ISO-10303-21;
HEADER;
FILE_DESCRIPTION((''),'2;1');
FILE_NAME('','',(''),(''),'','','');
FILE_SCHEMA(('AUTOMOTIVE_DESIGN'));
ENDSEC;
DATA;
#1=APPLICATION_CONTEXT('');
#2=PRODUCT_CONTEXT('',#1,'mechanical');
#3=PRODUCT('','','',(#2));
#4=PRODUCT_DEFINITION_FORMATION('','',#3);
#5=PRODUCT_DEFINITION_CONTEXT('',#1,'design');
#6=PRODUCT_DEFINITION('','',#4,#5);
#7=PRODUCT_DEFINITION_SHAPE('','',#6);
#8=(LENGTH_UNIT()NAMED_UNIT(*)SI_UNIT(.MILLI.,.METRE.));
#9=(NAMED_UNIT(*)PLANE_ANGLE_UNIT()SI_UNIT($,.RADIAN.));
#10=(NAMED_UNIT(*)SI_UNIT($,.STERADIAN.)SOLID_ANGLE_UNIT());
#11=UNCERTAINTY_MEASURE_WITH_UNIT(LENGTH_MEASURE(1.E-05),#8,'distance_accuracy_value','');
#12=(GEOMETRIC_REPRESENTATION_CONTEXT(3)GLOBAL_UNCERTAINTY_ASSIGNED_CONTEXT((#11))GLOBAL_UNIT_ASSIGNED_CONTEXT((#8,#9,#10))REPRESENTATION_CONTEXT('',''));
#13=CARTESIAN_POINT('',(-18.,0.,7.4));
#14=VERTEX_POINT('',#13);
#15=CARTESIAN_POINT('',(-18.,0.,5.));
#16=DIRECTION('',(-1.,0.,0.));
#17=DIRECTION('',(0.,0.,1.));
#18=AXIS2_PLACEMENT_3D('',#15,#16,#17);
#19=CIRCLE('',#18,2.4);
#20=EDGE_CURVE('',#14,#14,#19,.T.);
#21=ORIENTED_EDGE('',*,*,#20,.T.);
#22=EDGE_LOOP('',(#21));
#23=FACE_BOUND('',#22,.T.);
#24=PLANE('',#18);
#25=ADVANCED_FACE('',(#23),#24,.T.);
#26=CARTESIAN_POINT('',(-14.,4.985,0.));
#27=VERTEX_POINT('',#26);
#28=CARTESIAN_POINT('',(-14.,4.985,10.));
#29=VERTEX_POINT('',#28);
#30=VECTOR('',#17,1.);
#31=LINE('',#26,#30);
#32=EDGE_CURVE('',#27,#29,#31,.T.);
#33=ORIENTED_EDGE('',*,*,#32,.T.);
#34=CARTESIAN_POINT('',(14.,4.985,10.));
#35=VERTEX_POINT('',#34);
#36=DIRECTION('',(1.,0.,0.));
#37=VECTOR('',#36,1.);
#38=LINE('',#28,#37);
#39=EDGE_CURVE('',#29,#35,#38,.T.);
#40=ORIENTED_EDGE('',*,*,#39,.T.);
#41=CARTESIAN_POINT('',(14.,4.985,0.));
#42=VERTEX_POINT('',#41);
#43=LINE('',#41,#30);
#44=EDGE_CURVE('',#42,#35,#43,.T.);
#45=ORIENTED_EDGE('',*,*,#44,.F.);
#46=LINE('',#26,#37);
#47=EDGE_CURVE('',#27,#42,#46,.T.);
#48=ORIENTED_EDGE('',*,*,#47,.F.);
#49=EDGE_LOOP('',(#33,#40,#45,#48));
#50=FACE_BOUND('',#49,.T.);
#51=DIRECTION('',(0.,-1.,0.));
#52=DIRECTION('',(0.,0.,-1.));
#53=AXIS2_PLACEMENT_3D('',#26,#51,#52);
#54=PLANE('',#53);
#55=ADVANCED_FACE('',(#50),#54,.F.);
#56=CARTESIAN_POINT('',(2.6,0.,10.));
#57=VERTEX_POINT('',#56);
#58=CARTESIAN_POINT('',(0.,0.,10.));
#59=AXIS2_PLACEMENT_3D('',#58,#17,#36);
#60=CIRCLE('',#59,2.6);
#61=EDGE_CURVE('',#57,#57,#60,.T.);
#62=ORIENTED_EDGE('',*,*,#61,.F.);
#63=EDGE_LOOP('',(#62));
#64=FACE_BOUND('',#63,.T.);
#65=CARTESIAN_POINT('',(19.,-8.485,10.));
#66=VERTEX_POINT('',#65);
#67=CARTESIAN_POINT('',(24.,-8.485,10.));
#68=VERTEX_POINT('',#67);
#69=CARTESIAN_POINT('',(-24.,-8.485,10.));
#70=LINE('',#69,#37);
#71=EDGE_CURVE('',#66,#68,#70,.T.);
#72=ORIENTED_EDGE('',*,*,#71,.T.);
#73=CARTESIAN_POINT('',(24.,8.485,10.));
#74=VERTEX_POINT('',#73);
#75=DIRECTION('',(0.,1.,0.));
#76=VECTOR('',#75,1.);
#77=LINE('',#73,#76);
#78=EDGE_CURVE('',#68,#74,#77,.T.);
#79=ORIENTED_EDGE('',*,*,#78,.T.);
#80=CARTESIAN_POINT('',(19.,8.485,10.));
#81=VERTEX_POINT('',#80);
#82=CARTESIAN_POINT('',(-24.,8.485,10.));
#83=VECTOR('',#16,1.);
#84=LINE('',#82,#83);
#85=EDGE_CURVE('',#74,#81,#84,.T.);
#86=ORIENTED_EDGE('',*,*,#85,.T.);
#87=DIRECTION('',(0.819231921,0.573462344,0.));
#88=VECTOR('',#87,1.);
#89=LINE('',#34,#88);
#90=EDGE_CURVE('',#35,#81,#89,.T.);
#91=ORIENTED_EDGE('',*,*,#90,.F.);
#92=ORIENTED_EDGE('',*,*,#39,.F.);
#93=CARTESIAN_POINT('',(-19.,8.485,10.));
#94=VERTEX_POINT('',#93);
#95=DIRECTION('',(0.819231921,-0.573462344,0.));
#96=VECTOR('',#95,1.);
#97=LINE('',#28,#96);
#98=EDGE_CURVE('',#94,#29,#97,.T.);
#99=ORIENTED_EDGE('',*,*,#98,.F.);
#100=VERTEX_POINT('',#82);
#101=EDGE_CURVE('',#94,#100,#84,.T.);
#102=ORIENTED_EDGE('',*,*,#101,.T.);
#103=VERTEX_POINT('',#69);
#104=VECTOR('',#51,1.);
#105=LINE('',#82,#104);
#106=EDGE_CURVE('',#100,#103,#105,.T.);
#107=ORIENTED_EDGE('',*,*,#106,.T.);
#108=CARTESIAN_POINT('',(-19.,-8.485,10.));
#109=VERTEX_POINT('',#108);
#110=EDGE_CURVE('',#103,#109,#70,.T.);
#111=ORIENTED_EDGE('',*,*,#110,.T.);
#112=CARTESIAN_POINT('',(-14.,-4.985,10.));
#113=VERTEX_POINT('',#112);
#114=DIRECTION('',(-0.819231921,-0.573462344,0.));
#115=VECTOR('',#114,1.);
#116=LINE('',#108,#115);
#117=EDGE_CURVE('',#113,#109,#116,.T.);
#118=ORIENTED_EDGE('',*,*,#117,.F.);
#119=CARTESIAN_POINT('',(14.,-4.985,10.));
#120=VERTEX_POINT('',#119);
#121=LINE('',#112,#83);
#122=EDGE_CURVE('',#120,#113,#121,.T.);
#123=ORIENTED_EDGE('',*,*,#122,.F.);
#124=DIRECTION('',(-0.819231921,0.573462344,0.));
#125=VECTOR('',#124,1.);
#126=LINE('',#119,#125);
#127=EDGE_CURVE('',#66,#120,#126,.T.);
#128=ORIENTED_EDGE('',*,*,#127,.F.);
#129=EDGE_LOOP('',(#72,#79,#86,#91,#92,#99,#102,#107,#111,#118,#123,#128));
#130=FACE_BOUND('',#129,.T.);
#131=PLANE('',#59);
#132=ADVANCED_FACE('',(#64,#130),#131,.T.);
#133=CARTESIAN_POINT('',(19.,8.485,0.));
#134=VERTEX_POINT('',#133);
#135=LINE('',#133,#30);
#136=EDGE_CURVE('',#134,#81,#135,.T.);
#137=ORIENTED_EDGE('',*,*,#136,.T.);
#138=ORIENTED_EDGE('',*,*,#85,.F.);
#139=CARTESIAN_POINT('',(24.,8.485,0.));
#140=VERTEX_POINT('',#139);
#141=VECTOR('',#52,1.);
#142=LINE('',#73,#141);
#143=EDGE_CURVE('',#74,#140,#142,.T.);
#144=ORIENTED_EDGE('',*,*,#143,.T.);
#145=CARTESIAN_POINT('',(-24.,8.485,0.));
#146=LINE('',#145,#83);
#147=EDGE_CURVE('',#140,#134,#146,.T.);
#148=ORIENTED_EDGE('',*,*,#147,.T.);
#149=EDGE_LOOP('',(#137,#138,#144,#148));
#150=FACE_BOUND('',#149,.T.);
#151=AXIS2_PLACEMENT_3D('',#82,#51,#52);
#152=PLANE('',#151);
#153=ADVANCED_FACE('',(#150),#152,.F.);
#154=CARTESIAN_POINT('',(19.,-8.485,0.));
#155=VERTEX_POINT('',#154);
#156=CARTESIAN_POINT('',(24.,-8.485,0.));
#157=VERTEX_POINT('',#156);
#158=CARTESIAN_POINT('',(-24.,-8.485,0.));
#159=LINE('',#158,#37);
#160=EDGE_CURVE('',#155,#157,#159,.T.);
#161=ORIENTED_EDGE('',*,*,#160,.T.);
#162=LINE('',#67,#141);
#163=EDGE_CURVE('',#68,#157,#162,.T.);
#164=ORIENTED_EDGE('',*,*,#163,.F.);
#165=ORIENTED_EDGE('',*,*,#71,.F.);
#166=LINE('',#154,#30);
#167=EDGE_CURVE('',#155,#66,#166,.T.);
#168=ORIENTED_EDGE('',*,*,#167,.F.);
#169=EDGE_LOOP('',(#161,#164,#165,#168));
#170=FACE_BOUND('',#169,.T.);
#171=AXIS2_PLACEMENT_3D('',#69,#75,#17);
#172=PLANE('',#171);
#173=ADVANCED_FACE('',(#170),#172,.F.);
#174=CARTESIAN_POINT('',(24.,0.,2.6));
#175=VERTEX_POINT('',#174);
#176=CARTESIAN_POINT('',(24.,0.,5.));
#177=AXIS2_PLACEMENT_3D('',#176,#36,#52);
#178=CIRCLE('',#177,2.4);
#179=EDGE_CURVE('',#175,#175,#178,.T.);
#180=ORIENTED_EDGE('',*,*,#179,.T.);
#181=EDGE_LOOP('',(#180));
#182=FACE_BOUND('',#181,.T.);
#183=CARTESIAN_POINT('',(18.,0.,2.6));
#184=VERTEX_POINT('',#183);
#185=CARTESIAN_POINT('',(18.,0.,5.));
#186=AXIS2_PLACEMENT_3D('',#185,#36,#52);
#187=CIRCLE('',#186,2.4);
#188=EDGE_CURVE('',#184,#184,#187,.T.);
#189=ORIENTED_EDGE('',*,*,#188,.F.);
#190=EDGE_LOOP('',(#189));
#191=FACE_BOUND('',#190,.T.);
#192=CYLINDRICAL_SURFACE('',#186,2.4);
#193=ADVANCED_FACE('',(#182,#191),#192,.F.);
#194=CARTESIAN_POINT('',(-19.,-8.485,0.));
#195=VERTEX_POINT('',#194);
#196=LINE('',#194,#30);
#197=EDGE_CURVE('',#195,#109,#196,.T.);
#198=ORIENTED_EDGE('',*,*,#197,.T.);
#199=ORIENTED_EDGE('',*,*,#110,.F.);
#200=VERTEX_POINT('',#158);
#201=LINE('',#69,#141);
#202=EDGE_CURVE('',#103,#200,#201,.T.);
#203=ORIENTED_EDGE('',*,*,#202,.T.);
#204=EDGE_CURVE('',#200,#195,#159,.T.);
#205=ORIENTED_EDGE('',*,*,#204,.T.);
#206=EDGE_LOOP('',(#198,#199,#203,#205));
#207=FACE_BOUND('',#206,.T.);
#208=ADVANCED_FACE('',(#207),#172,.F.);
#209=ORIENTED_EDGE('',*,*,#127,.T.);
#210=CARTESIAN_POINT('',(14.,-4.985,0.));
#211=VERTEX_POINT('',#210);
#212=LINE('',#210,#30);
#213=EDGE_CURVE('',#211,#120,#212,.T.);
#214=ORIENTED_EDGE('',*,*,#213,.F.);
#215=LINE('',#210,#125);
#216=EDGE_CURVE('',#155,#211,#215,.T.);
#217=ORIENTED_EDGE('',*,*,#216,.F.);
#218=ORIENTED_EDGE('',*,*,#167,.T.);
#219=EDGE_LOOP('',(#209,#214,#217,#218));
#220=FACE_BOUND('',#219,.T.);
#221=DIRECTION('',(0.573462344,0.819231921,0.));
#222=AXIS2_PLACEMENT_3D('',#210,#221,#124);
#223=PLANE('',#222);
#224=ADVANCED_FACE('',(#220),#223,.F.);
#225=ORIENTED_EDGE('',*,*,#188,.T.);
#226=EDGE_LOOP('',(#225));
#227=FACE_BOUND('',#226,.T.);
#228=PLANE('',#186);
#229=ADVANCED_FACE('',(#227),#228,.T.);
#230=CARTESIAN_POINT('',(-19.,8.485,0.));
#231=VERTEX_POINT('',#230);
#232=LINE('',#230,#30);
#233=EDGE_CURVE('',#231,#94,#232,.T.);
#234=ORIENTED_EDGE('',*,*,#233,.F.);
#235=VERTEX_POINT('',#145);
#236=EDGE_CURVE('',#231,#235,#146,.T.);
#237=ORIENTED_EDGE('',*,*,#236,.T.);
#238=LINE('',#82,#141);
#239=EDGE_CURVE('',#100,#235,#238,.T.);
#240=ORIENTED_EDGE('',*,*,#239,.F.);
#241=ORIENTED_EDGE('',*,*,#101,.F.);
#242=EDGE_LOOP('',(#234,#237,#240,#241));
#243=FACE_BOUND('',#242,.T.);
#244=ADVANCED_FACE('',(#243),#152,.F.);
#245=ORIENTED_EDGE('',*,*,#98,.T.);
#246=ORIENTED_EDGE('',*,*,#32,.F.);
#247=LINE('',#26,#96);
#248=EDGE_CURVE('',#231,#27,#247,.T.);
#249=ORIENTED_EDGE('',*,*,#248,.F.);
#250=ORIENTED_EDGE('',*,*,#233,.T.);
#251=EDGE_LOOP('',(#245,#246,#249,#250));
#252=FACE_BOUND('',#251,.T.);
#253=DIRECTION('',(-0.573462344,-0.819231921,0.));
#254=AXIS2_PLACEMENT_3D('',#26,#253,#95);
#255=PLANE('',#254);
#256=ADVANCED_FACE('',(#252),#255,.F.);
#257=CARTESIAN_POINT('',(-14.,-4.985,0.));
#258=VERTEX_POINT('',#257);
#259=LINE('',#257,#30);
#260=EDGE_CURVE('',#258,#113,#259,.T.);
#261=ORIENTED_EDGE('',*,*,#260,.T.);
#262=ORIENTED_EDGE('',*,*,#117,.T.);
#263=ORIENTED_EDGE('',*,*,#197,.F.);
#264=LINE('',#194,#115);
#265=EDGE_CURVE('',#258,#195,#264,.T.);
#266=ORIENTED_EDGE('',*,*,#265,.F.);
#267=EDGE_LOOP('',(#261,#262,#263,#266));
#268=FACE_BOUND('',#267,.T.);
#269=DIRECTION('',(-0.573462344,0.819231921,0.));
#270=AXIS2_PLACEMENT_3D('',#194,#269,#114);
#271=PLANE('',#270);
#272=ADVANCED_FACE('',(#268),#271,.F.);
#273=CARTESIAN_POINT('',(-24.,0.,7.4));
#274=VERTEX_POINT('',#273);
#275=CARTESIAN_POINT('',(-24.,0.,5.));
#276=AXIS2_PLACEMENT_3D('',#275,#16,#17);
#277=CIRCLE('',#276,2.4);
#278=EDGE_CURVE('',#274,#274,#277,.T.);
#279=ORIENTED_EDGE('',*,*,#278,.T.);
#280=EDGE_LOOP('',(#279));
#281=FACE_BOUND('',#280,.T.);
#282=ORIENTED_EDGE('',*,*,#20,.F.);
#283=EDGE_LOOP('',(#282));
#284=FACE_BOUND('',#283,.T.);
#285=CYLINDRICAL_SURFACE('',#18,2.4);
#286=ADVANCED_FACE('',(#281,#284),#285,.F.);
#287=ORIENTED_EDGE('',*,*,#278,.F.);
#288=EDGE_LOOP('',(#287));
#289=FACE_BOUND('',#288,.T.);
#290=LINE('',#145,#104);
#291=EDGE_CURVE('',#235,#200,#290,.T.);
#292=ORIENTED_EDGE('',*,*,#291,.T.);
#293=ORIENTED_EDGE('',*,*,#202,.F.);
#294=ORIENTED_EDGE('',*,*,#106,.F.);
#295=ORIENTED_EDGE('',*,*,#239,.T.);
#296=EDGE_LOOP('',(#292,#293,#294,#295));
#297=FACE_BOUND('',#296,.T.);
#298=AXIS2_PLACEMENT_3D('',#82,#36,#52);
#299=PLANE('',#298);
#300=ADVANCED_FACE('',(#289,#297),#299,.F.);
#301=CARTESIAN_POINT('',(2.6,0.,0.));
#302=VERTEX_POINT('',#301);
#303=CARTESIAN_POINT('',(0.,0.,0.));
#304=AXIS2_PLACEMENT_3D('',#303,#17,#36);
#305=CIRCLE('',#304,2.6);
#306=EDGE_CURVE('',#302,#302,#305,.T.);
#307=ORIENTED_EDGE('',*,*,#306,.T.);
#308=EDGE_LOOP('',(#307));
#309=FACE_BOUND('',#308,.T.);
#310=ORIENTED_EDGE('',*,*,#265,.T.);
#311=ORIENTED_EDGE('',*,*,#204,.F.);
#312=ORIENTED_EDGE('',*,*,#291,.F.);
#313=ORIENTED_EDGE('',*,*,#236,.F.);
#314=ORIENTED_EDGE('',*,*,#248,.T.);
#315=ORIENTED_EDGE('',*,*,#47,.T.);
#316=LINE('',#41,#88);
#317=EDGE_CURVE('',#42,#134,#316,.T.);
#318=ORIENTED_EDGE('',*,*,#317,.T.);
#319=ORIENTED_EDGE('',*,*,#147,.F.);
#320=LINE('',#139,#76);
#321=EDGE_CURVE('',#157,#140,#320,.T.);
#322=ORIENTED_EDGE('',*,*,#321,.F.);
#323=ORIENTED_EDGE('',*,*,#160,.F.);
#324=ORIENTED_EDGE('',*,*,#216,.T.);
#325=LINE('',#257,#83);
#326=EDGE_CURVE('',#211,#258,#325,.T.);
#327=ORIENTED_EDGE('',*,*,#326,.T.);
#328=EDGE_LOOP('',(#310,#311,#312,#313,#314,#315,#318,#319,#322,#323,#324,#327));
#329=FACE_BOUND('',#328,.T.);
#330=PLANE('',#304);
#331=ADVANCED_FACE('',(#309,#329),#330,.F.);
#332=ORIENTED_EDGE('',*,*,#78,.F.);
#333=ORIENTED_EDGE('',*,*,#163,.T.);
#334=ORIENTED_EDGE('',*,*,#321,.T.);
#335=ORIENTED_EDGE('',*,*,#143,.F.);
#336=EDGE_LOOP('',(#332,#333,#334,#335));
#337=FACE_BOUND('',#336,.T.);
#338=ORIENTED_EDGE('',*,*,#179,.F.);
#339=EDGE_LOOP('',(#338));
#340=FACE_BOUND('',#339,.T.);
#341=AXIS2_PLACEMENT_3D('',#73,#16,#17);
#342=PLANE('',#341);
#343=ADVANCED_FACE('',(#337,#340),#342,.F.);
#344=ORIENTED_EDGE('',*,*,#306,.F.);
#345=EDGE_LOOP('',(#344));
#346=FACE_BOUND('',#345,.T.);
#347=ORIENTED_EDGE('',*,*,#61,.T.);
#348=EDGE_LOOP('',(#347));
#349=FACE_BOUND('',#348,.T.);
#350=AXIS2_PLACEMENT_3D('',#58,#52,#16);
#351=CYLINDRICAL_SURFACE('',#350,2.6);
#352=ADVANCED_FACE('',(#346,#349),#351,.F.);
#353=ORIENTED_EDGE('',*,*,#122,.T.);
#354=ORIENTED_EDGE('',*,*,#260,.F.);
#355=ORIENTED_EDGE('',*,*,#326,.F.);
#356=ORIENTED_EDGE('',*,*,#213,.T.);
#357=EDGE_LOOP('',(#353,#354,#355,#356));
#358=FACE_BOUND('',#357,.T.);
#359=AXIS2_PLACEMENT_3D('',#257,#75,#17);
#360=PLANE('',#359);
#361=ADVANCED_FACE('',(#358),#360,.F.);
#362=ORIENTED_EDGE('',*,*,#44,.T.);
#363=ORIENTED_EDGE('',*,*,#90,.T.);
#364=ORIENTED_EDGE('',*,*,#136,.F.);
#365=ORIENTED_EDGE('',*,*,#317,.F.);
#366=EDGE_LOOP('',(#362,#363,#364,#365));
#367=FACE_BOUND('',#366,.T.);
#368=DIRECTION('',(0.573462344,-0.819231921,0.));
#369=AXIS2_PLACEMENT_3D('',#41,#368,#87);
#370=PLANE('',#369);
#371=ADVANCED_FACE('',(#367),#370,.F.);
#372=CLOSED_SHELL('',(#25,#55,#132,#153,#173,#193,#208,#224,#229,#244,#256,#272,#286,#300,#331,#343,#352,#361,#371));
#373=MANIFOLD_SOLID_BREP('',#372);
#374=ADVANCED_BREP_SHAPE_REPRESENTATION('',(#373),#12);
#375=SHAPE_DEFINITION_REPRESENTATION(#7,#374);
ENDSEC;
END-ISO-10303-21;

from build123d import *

# Parameters (mm, degrees)
SKETCH_1_W          = 48
SKETCH_1_H          = 16.97
SKETCH_1_R          = 2.6
EXTRUDE_1_DEPTH     = 10
SKETCH_3_R          = 2.4
CUT_EXTRUDE_1_DEPTH = 6
CUT_EXTRUDE_START   = -6
SKETCH_4_R          = 2.4
CUT_EXTRUDE_2_DEPTH = 6
CUT_EXTRUDE_3_DEPTH = 28.349501367


with BuildPart() as part:
    # ｽｹｯﾁ1 → ﾎﾞｽ - 押し出し1 (new body)
    with BuildSketch(Plane.XY):
        Rectangle(SKETCH_1_W, SKETCH_1_H)
        Circle(SKETCH_1_R, mode=Mode.SUBTRACT)
    extrude(amount=EXTRUDE_1_DEPTH)

    # ｽｹｯﾁ3 → ｶｯﾄ - 押し出し1 (cut)
    with BuildSketch(Plane(origin=(24, 0, 0), x_dir=(0, 0, -1), z_dir=(1, 0, 0))):
        with Locations((-5, 0)):
            Circle(SKETCH_3_R)
    extrude(amount=-CUT_EXTRUDE_1_DEPTH, mode=Mode.SUBTRACT)

    # ｽｹｯﾁ4 → ｶｯﾄ - 押し出し2 (cut)
    with BuildSketch(Plane.ZY.offset(24).offset(CUT_EXTRUDE_START)):
        with Locations(Location((5, 0, 0), (0, 0, 180))):
            Circle(SKETCH_4_R)
    extrude(amount=CUT_EXTRUDE_2_DEPTH, mode=Mode.SUBTRACT)

    # ｽｹｯﾁ5 → ｶｯﾄ - 押し出し3 (cut, through all)
    with BuildSketch(Plane.XY.offset(10)):
        Polygon((-14, 4.985), (14, 4.985), (19, 8.485), (-19, 8.485), align=None)
        Polygon((-14, -4.985), (14, -4.985), (19, -8.485), (-19, -8.485), align=None)
    extrude(amount=-CUT_EXTRUDE_3_DEPTH, mode=Mode.SUBTRACT)


solid = part.part
